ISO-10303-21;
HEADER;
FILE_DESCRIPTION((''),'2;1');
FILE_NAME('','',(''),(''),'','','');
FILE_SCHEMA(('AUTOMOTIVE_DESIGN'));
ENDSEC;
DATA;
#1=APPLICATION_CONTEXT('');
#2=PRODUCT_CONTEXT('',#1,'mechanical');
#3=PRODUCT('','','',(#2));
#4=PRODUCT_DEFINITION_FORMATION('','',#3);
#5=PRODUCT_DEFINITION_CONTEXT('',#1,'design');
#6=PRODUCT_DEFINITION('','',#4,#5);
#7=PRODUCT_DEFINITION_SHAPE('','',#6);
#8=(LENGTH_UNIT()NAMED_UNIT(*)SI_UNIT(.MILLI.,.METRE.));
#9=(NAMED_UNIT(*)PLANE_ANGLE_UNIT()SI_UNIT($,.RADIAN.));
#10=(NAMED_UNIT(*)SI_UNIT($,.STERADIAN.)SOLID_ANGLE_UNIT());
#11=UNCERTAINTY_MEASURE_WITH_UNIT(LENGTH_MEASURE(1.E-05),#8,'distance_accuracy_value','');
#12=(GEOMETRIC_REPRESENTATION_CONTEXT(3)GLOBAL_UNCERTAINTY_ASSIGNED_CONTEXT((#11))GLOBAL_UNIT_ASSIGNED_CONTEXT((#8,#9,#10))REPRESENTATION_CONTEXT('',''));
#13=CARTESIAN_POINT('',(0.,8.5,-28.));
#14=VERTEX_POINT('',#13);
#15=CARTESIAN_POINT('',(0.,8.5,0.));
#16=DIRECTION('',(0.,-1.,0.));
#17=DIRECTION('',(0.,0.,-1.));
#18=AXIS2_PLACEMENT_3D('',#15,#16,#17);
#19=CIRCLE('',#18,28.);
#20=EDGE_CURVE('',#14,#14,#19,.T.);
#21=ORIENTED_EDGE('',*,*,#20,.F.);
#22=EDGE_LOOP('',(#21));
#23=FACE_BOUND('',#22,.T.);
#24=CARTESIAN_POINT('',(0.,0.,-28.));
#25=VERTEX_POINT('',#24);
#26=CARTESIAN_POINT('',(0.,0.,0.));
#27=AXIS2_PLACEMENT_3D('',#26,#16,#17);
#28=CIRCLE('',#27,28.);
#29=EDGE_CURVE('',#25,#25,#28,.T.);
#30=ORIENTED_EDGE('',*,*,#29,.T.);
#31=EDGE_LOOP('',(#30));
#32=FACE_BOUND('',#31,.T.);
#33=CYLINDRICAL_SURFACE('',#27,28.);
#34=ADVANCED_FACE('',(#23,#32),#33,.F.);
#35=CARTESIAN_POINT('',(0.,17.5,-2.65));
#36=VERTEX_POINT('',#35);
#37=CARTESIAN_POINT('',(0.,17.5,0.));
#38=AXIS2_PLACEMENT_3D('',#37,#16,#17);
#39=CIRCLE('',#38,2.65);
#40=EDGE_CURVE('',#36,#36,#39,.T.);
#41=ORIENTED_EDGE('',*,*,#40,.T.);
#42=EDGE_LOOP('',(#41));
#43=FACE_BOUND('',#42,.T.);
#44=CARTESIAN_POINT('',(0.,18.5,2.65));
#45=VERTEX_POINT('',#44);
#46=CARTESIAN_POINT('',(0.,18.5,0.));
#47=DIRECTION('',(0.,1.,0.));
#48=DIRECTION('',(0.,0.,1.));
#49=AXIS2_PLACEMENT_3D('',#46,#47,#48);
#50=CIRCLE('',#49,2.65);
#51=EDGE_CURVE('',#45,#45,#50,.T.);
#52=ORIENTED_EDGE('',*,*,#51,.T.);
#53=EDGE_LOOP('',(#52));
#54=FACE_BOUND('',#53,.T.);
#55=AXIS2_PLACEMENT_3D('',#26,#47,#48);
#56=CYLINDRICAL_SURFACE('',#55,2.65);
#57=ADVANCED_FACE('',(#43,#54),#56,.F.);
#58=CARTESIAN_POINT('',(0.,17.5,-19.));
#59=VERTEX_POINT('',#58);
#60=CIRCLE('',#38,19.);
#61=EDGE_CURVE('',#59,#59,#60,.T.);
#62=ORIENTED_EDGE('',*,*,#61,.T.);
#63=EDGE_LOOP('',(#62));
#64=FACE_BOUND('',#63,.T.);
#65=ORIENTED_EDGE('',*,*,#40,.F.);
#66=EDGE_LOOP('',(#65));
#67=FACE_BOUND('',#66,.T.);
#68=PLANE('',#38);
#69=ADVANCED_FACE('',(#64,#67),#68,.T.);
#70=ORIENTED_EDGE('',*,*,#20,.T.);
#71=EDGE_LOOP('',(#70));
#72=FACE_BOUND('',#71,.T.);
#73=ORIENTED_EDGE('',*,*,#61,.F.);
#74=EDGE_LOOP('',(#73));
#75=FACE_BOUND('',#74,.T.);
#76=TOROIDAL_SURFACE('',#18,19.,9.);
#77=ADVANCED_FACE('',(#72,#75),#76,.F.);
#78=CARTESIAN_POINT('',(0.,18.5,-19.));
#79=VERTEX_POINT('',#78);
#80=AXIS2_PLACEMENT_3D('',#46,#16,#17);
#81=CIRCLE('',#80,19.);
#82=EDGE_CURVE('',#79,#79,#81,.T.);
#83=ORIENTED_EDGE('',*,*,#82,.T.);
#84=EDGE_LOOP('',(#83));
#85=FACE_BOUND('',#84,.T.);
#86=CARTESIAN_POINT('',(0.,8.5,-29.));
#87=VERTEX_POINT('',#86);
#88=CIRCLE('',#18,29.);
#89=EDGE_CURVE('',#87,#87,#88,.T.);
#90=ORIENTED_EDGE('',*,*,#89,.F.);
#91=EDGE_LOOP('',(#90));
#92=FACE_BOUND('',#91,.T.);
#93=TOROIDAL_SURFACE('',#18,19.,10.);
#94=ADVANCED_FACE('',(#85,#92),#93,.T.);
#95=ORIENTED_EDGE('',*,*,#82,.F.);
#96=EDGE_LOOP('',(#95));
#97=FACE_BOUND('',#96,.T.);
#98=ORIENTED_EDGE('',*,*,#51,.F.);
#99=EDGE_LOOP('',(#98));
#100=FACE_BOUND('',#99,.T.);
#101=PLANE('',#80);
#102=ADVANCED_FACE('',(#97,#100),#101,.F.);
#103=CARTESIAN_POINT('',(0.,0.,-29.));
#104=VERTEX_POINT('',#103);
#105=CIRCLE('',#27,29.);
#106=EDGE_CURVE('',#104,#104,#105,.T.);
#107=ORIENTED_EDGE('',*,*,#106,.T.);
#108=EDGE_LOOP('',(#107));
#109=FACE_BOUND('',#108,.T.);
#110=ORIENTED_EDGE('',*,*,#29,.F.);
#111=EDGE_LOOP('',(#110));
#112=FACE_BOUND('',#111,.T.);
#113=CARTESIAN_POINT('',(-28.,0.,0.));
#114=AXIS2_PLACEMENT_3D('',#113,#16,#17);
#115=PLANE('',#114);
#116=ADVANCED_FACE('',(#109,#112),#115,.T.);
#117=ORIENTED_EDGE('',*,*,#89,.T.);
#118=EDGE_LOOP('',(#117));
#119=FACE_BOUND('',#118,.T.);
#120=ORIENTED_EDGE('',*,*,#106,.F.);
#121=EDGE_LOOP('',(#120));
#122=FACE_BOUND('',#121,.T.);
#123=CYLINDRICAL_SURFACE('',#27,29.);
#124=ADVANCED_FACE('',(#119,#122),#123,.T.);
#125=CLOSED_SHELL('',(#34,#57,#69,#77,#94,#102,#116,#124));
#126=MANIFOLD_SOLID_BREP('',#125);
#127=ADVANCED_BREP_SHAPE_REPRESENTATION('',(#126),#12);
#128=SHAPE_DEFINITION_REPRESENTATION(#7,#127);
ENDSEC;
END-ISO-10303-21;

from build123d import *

# Parameters (mm, degrees)
SKETCH2_R          = 2.65
CUT_EXTRUDE1_DEPTH = 45.991665959


with BuildPart() as part:
    # Sketch1 → Revolve-Thin1 (revolve)
    with BuildSketch(Plane.XY, mode=Mode.PRIVATE) as revolve_thin1_sk:
        with BuildLine():
            Line((0, 18.5), (-19, 18.5))
            ThreePointArc((-19, 18.5), (-26.071067812, 15.571067812), (-29, 8.5))
            Line((-29, 8.5), (-29, 0))
            Line((-29, 0), (-28, 0))
            Line((-28, 0), (-28, 8.5))
            ThreePointArc((-28, 8.5), (-25.363961031, 14.863961031), (-19, 17.5))
            Line((-19, 17.5), (0, 17.5))
            Line((0, 17.5), (0, 18.5))
        make_face()
    revolve(revolve_thin1_sk.sketch.rotate(Axis((0, 0, 0), (0, 1, 0)), 270), axis=Axis((0, 0, 0), (0, 1, 0)))

    # Sketch2 → Cut-Extrude1 (cut, through all)
    with BuildSketch(Plane(origin=(0, 18.5, 0), x_dir=(1, 0, 0), z_dir=(0, 1, 0))):
        with Locations(Location((0, 0, 0), (0, 0, 270))):
            Circle(SKETCH2_R)
    extrude(amount=-CUT_EXTRUDE1_DEPTH, mode=Mode.SUBTRACT)


solid = part.part
